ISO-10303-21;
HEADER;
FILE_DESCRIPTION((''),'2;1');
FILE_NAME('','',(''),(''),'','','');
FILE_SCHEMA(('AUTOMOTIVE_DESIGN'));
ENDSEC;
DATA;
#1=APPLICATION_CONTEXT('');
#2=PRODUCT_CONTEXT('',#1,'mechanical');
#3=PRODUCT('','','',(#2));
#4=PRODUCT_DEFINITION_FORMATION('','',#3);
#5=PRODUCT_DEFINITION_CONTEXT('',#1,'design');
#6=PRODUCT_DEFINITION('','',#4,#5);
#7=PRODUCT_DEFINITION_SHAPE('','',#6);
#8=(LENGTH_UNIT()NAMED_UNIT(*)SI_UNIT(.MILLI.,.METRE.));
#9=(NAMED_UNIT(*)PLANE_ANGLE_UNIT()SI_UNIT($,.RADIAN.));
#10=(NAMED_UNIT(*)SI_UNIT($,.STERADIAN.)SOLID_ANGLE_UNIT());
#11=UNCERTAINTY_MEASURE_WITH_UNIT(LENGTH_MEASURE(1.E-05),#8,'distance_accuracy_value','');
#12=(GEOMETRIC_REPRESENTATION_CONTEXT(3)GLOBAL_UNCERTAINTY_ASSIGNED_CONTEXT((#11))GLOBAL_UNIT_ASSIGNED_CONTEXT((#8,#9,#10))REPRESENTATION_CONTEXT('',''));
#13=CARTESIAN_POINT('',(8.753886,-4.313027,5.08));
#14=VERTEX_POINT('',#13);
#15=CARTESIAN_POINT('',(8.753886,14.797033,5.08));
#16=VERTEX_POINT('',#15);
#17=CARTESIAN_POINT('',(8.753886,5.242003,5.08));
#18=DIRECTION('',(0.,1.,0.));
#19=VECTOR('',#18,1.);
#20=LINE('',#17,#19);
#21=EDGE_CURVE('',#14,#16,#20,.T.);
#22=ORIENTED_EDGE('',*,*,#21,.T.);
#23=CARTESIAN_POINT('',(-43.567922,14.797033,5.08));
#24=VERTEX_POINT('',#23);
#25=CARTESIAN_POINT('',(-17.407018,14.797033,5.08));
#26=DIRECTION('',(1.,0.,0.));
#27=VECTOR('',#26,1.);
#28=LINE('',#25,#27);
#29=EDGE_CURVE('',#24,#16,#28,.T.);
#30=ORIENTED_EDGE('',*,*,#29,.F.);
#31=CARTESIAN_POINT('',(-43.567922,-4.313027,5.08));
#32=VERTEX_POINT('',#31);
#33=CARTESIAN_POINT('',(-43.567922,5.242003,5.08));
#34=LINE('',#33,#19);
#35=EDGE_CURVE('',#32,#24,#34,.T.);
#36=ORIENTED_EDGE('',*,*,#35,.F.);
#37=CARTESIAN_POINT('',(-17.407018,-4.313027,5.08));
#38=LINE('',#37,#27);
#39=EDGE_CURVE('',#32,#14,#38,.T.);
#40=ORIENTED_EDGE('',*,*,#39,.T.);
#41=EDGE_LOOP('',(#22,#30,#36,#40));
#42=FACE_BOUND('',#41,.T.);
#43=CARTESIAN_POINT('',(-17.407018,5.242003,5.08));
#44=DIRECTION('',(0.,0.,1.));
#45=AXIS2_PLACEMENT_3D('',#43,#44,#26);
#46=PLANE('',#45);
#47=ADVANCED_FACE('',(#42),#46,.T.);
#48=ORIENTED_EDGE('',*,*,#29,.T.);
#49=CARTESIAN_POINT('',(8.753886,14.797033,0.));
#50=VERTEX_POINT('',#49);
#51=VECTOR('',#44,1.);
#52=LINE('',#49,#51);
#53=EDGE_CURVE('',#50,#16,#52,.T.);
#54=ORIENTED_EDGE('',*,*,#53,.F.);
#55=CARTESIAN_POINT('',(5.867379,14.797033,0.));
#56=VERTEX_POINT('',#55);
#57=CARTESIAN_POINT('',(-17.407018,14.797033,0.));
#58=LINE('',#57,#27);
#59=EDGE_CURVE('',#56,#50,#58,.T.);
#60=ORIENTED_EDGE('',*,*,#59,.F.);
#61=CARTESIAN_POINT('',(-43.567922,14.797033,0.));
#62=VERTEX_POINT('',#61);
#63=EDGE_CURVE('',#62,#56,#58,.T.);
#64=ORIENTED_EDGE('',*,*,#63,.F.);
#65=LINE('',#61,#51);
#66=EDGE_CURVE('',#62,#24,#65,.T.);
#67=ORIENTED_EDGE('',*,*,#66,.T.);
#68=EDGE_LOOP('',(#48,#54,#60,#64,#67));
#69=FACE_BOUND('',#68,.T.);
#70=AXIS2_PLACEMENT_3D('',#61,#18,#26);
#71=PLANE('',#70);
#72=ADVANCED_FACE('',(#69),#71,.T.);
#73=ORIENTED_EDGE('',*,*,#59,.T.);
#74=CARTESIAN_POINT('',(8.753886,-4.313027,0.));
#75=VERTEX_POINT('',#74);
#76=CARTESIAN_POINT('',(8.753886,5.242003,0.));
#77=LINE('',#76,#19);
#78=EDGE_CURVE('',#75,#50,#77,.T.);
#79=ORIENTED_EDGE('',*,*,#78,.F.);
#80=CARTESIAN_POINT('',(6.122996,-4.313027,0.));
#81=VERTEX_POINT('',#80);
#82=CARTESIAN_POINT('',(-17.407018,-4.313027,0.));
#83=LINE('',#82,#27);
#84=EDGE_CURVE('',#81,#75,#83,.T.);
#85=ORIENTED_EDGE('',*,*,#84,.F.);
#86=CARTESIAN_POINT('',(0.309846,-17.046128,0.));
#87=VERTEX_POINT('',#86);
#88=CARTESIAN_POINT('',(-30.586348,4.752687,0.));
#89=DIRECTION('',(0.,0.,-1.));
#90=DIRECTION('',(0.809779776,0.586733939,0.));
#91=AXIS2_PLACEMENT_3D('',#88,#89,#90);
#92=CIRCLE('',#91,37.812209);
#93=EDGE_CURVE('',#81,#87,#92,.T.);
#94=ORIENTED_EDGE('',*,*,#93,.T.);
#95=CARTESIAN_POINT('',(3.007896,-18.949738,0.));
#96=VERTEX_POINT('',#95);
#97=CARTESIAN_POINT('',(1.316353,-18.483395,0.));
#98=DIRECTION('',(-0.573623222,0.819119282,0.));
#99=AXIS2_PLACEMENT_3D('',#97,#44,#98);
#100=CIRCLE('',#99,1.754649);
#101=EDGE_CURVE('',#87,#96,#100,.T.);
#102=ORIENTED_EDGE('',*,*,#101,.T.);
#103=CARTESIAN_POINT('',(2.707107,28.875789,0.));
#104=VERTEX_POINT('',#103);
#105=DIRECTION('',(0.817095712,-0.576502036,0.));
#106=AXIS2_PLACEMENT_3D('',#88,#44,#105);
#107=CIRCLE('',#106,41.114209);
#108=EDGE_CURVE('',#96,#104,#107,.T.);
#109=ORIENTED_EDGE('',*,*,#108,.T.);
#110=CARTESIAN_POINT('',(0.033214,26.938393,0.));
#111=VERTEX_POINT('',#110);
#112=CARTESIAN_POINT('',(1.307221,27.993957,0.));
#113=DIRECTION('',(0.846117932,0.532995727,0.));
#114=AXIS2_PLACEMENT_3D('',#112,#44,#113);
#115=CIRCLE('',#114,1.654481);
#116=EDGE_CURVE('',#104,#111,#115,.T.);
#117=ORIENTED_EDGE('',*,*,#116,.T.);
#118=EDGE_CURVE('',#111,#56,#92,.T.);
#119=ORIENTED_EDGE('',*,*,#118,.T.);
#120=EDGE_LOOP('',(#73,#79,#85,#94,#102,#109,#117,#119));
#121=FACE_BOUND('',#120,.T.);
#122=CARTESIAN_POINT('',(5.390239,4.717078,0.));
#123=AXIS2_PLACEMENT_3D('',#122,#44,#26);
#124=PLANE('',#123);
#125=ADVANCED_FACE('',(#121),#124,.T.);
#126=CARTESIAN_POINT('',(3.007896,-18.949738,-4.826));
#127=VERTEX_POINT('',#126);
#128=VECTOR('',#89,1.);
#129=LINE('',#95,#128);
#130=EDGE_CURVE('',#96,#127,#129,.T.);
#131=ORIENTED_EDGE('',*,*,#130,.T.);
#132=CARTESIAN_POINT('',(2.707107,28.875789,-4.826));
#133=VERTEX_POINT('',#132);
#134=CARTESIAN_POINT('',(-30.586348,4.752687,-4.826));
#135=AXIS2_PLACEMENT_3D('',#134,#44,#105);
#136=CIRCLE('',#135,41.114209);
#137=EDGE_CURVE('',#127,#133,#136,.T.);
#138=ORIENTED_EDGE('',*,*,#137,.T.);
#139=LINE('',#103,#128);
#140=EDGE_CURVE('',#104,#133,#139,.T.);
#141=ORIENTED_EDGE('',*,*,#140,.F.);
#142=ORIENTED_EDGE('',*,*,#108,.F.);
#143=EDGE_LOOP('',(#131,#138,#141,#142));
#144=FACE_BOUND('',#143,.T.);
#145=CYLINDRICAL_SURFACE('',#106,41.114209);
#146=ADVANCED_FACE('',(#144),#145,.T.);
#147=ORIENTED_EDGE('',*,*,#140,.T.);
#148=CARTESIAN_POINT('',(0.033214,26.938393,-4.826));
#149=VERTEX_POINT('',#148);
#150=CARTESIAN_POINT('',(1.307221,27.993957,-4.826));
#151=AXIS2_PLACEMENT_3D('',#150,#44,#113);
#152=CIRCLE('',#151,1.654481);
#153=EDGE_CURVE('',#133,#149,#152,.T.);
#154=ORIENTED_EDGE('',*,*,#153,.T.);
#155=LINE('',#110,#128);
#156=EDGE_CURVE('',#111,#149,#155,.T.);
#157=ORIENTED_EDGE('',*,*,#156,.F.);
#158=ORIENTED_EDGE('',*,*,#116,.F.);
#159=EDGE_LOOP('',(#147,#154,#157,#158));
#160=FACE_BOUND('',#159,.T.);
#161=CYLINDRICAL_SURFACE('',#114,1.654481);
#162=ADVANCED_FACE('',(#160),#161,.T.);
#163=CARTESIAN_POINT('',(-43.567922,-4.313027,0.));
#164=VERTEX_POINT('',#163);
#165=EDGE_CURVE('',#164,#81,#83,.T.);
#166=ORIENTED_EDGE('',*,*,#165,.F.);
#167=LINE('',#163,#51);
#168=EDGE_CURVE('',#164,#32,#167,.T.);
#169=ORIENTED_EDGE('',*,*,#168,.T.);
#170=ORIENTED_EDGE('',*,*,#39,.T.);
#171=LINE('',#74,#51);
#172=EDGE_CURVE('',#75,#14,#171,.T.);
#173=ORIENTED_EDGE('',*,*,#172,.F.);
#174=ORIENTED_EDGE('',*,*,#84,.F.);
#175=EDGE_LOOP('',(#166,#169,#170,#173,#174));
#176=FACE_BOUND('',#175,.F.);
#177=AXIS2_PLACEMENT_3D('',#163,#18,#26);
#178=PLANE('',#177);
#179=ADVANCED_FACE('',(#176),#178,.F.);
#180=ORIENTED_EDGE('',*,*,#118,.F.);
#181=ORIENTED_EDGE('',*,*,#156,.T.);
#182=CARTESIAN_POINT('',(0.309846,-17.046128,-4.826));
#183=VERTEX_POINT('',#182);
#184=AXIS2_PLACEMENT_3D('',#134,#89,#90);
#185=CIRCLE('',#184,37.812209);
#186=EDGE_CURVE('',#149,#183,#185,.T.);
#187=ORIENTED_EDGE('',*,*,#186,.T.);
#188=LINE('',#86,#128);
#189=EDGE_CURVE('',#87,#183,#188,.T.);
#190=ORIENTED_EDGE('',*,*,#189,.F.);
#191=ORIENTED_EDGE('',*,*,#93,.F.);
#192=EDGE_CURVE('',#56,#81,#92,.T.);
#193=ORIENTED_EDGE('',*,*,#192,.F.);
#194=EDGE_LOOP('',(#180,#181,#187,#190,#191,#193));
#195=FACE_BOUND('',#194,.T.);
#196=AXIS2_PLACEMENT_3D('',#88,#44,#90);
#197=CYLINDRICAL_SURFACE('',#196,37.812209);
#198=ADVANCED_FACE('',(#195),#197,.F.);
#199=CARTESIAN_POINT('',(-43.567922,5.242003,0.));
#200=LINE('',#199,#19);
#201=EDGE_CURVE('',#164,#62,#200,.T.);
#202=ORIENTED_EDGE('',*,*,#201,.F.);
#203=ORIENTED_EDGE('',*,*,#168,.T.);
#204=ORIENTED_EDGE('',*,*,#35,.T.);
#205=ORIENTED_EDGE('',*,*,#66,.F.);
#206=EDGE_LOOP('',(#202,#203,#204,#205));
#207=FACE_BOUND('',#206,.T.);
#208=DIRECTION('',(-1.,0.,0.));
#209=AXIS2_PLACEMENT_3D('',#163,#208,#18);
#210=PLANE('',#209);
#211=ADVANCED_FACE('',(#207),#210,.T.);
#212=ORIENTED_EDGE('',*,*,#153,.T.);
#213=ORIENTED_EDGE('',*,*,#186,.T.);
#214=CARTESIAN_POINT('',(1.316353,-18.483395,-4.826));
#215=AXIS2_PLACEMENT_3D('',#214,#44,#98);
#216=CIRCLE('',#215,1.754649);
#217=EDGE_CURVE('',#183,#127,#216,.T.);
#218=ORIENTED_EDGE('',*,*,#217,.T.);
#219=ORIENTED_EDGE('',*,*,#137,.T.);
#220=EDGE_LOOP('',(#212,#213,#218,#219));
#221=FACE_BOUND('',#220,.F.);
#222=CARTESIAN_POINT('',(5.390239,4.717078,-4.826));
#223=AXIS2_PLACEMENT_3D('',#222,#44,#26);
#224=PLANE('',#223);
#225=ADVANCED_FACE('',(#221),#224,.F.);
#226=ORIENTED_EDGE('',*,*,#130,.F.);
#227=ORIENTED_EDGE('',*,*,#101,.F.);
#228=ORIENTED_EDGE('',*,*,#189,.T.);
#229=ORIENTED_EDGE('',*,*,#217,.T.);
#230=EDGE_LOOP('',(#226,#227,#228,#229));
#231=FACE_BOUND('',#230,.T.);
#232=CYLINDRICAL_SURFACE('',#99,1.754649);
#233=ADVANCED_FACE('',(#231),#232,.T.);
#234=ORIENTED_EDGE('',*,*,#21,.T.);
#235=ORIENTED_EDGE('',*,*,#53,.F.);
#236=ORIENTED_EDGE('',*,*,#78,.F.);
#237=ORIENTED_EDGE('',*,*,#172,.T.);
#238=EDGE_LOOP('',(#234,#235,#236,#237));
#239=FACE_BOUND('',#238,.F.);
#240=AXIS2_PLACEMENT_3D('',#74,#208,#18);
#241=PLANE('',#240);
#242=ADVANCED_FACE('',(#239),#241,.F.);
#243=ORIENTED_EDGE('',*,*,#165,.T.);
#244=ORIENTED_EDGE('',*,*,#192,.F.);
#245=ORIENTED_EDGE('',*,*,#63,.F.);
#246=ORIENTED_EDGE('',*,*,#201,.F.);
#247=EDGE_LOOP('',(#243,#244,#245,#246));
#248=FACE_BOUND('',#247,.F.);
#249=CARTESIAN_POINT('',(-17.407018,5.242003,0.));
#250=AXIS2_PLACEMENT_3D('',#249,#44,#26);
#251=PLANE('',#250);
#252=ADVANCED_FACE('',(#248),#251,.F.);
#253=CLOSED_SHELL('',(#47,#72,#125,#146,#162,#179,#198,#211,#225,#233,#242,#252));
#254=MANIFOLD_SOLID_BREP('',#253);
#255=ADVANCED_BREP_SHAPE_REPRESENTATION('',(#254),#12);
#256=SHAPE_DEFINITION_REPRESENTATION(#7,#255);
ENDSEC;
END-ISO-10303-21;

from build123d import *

# Parameters (mm, degrees)
F1_DEPTH = 4.826
F2_W     = 52.321808
F2_H     = 19.11006
F3_DEPTH = 5.08


with BuildPart() as f1:
    # F0 (on Top) → F1 (new body)
    with BuildSketch(Plane.XY):
        with BuildLine():
            ThreePointArc((0.309846, -17.046128), (0.304795, -19.917111), (3.007896, -18.949738))
            ThreePointArc((3.007896, -18.949738), (10.527048, 5.011262), (2.707107, 28.875789))
            ThreePointArc((2.707107, 28.875789), (0.33648, 29.333723), (0.033214, 26.938393))
            ThreePointArc((0.033214, 26.938393), (7.225113, 4.990495), (0.309846, -17.046128))
        make_face()
    extrude(amount=-F1_DEPTH)

    # F2 (on Top) → F3 (join)
    with BuildSketch(Plane.XY):
        with Locations((-17.407018, 5.242003)):
            Rectangle(F2_W, F2_H)
    extrude(amount=F3_DEPTH)


solid = f1.part
